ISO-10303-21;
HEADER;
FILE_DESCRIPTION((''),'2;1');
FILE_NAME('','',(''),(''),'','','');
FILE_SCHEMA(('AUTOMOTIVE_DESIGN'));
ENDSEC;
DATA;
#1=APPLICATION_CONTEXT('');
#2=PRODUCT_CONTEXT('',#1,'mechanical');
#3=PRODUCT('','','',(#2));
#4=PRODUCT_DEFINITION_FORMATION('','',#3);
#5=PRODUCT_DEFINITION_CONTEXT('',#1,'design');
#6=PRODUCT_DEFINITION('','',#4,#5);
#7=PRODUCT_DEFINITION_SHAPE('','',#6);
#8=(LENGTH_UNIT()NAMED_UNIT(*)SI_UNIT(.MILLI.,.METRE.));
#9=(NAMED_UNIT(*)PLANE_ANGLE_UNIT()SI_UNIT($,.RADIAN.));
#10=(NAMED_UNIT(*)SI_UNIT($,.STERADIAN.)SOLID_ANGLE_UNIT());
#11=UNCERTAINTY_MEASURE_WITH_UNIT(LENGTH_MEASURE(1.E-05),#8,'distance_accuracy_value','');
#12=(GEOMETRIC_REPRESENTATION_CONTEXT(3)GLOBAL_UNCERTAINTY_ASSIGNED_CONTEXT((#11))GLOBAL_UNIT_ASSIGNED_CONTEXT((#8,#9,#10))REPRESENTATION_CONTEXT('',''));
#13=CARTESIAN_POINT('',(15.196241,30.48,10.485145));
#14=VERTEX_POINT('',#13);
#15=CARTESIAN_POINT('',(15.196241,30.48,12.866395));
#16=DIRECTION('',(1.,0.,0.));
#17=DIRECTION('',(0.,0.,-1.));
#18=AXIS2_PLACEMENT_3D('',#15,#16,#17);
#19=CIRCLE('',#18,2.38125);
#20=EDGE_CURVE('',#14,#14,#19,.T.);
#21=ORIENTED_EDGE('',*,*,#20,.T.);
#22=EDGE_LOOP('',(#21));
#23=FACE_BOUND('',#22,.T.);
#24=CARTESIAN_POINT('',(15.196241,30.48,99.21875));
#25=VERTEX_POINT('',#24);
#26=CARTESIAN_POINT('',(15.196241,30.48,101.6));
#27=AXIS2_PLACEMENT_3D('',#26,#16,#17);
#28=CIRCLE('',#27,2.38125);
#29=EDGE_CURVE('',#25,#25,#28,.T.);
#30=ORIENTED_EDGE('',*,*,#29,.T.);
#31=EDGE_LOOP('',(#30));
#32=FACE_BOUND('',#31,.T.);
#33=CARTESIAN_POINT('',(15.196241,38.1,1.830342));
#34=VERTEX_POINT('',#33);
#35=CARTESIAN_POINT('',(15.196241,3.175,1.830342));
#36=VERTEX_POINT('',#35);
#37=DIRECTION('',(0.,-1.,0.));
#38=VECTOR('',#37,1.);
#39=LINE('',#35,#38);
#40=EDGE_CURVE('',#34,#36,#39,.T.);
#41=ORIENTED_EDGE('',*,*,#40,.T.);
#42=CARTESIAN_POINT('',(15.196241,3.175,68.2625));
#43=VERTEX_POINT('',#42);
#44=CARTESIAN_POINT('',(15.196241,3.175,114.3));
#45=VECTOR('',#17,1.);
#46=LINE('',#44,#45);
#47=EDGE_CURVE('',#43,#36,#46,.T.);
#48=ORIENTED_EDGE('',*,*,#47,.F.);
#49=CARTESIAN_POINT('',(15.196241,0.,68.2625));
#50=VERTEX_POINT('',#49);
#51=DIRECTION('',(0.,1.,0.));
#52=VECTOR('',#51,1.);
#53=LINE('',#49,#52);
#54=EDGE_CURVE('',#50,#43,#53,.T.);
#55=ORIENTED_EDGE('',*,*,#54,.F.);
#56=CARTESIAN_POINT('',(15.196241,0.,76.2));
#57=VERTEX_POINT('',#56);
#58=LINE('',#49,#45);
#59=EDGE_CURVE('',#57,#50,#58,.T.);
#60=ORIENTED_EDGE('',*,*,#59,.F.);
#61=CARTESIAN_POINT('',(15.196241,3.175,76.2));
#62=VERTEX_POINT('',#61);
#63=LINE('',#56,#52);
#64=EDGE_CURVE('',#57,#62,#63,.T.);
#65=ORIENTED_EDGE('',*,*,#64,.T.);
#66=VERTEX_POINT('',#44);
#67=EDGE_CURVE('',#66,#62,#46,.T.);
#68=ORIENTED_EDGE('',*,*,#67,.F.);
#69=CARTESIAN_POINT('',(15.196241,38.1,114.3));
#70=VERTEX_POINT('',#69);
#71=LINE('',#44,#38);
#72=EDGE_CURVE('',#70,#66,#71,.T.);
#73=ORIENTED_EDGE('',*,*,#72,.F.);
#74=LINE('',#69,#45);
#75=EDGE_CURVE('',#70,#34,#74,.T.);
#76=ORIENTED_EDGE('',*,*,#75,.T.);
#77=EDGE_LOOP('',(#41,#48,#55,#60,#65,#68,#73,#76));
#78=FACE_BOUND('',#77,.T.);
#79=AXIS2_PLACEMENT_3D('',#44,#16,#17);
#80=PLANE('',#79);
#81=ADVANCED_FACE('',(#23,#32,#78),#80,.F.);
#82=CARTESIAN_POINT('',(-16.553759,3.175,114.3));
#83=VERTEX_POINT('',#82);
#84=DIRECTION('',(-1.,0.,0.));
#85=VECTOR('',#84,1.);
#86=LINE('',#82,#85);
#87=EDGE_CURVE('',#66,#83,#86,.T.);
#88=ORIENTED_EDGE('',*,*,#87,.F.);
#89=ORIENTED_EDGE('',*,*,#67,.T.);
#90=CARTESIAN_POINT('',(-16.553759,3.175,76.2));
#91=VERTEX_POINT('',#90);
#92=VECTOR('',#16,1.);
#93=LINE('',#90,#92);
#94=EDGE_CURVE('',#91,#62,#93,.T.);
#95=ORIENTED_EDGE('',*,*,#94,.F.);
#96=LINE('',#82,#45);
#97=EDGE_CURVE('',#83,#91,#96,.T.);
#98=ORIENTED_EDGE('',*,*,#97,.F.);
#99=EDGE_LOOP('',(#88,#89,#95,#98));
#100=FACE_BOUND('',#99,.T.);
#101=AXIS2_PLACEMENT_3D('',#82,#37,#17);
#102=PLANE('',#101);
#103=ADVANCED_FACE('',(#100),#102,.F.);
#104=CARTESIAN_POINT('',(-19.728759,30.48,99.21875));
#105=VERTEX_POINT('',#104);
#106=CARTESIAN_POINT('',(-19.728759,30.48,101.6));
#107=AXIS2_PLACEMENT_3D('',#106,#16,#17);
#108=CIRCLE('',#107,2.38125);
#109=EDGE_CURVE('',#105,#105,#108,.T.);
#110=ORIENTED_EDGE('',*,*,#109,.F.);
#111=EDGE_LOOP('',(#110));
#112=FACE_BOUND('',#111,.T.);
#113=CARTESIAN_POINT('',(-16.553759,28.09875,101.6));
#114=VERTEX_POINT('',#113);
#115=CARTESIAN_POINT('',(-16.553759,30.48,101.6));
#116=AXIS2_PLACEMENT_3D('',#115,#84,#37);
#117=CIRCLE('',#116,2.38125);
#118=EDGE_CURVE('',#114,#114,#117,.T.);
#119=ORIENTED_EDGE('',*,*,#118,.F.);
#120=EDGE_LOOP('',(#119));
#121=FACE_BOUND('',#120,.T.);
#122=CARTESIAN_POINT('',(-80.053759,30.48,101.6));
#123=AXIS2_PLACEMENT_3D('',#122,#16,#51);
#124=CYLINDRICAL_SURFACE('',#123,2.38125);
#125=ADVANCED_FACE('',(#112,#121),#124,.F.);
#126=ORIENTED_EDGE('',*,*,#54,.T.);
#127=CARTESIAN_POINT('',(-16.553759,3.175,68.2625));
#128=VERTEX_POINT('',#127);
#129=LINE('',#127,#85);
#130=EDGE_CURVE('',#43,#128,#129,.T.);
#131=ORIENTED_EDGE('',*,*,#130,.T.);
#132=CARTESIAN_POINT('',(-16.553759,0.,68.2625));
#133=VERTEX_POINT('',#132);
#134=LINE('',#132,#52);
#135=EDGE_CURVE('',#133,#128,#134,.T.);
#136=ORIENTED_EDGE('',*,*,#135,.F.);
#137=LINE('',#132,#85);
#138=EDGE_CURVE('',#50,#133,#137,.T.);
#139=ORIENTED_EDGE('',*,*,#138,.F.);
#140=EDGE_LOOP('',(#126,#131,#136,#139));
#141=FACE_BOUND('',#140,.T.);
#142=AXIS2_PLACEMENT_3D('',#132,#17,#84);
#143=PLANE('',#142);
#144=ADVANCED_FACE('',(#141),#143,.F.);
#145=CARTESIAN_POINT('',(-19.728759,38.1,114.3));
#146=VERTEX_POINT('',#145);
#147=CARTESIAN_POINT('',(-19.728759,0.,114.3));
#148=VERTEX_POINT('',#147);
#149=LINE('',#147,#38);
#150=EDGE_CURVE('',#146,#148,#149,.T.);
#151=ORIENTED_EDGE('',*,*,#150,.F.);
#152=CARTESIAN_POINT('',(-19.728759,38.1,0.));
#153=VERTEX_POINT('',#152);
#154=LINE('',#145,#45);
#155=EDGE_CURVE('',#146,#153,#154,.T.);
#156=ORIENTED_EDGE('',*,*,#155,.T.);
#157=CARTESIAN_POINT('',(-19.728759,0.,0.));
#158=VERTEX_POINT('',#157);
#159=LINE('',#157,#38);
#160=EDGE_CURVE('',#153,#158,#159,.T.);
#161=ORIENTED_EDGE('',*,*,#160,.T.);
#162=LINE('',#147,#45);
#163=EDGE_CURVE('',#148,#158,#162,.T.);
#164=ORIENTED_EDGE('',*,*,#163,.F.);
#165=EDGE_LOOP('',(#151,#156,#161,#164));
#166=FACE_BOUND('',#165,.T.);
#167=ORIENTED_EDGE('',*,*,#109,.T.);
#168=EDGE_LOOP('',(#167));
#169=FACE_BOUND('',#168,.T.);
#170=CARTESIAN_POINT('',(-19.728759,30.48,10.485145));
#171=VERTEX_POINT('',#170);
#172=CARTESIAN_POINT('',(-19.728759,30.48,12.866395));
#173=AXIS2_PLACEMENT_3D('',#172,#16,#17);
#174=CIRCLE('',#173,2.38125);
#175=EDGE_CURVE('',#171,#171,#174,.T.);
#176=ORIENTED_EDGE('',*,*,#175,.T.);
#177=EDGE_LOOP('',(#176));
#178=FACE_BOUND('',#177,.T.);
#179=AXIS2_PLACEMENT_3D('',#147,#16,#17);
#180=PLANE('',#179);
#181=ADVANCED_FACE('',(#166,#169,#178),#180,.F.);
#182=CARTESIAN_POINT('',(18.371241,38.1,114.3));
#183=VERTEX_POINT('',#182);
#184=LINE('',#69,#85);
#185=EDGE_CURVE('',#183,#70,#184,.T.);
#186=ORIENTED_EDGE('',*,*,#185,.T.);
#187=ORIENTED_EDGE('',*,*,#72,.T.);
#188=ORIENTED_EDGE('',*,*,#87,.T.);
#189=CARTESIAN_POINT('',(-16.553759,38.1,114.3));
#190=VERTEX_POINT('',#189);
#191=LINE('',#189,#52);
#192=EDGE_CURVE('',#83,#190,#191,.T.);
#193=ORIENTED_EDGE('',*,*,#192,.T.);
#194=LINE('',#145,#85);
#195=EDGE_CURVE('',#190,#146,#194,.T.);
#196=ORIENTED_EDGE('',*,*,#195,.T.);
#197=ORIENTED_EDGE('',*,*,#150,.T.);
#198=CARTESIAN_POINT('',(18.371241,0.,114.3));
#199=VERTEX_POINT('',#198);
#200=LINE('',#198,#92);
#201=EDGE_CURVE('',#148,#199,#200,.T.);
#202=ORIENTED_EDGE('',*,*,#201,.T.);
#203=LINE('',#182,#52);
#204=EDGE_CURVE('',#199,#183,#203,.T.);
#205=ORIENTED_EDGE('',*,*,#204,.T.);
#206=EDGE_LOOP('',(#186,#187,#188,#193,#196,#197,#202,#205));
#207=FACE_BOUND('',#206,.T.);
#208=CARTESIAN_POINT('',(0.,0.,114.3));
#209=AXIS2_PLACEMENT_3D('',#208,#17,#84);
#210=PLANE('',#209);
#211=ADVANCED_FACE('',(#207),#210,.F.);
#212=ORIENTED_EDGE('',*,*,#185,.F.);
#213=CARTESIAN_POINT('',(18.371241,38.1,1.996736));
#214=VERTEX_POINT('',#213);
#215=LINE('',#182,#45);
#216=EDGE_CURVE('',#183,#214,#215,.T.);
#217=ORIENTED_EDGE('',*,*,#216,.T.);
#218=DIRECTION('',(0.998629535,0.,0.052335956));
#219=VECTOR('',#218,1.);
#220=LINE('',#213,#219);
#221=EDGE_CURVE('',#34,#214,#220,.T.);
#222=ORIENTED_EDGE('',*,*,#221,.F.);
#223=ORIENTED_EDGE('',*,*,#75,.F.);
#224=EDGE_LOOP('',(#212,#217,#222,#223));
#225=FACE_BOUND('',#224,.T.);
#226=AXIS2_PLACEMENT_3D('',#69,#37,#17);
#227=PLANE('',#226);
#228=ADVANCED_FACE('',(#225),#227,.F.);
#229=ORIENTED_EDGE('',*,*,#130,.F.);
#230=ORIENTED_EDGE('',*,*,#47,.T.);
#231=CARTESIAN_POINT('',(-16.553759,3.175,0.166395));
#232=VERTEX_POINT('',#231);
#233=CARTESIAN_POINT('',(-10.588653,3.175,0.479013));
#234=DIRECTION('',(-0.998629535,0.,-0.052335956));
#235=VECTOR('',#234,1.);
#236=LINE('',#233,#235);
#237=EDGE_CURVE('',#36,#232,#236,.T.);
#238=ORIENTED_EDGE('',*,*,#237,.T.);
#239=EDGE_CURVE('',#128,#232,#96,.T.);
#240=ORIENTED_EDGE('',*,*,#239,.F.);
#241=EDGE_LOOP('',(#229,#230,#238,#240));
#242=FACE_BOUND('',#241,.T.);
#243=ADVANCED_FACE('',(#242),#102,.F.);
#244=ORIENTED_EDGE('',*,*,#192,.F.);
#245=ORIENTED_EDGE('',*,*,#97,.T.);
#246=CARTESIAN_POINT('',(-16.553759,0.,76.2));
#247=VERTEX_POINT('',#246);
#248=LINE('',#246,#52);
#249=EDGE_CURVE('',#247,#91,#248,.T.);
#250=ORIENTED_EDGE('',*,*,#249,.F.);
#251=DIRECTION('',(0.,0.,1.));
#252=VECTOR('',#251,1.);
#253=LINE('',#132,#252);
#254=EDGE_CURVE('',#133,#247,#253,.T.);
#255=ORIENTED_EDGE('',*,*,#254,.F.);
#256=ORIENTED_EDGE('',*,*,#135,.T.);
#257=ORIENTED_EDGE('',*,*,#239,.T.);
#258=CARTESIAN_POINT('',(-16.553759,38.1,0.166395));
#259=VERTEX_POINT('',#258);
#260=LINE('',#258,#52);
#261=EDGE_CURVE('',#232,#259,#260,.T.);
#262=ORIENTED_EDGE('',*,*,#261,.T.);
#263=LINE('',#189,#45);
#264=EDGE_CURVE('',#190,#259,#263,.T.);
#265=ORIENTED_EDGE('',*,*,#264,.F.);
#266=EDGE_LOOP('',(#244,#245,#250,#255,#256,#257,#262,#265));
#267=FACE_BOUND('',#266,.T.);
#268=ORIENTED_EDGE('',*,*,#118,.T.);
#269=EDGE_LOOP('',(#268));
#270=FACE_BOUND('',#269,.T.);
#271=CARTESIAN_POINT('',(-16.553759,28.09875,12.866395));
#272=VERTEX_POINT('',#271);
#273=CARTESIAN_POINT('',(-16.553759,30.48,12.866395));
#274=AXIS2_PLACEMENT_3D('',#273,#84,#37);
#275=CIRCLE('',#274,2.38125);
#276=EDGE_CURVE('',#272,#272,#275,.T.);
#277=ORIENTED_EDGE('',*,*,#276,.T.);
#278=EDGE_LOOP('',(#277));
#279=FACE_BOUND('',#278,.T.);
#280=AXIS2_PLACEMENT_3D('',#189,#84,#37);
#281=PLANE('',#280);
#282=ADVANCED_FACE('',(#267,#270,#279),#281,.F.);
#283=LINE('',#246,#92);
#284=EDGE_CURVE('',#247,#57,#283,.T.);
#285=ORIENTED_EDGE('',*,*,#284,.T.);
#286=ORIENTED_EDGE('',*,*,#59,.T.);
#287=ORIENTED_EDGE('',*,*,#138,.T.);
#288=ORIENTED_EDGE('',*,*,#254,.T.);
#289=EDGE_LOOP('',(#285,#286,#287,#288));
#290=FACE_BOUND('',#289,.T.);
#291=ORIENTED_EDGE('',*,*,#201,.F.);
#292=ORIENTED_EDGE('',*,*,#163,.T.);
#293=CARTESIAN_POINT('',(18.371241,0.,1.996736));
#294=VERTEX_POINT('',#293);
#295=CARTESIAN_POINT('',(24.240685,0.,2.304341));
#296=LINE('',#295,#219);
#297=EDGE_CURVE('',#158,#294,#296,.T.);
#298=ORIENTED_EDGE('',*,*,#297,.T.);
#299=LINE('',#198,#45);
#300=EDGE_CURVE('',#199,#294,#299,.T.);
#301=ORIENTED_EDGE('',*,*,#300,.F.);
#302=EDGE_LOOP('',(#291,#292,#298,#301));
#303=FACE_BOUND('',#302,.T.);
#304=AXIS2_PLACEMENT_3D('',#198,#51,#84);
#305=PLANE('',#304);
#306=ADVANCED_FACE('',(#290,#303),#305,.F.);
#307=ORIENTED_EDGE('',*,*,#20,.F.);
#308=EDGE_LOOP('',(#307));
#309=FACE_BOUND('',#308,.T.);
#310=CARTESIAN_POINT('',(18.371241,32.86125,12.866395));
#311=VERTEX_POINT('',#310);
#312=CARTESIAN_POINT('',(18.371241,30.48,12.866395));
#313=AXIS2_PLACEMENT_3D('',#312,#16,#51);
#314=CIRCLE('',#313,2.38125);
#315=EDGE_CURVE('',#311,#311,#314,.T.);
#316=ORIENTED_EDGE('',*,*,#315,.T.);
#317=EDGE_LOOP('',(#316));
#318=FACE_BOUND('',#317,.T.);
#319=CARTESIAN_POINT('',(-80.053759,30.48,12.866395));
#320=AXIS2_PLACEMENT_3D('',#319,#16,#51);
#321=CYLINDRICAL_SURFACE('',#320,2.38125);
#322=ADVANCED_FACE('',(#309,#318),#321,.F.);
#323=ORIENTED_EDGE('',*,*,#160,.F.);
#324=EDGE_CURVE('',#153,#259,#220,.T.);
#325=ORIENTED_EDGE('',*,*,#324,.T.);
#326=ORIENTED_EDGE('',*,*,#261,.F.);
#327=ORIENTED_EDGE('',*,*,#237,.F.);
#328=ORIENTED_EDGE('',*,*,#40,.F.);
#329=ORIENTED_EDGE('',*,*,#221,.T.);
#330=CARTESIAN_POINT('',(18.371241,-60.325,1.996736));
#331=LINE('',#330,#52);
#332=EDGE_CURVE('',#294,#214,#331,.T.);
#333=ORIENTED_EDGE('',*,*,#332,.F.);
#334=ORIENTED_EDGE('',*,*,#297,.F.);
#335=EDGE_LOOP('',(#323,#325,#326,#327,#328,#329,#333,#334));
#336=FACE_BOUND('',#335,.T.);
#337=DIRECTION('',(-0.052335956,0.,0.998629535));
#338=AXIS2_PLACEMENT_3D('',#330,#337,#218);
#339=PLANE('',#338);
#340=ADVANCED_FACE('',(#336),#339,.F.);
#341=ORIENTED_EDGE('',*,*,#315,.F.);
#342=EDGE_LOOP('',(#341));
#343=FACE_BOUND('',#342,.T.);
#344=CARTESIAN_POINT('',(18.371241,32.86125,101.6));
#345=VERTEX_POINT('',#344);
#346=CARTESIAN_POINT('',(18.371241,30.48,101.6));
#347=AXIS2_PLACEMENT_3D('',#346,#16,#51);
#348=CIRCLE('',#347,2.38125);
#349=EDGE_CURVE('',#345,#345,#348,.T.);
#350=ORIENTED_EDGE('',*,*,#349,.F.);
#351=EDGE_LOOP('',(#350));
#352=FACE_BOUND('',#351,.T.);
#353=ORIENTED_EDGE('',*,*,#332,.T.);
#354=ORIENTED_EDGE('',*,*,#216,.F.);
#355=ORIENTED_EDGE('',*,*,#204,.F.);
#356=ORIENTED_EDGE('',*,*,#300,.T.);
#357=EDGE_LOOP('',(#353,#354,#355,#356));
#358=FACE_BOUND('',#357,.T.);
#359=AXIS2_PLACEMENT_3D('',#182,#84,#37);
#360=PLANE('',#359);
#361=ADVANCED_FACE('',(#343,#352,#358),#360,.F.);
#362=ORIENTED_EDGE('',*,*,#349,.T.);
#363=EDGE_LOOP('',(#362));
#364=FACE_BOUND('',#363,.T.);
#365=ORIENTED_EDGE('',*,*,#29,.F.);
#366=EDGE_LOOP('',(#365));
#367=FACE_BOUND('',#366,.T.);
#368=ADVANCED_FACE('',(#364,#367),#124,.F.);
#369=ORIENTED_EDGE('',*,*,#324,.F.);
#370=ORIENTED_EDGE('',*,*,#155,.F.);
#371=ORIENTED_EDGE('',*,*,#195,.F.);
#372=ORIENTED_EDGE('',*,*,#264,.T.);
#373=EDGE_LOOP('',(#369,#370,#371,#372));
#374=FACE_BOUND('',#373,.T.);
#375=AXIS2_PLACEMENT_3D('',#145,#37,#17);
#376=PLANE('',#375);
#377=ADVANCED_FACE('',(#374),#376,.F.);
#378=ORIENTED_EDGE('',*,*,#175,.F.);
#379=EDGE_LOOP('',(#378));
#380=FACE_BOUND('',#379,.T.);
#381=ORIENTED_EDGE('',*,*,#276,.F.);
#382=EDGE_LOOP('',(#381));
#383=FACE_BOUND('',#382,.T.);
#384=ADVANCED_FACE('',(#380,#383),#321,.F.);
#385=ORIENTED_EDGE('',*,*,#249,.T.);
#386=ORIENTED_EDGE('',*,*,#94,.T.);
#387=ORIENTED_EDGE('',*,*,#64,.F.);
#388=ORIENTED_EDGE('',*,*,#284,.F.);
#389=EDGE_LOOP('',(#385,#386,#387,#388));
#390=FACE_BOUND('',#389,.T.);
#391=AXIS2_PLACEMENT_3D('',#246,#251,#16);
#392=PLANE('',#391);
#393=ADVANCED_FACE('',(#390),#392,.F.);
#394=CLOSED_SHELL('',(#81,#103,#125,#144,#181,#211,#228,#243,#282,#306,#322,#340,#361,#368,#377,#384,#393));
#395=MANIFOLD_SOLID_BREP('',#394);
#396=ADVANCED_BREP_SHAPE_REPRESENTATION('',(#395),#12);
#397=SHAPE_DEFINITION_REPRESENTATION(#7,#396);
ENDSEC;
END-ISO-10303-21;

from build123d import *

# Parameters (mm, degrees)
BOSS_EXTRUDE1_DEPTH = 114.3
CUT_EXTRUDE1_DEPTH  = 98.425
SKETCH3_R           = 2.38125
CUT_EXTRUDE2_DEPTH  = 98.425
SKETCH4_W           = 31.75
SKETCH4_H           = 7.9375
CUT_EXTRUDE4_DEPTH  = 122.134097336


with BuildPart() as part:
    # Sketch1 → Boss-Extrude1 (new body)
    with BuildSketch(Plane.XY):
        Polygon((18.371241491, 0), (-19.728758509, 0), (-19.728758509, 38.1), (-16.553758509, 38.1), (-16.553758509, 3.175), (15.196241491, 3.175), (15.196241491, 38.1), (18.371241491, 38.1), align=None)
    extrude(amount=BOSS_EXTRUDE1_DEPTH)

    # Sketch2 → Cut-Extrude1 (cut)
    with BuildSketch(Plane(origin=(0, 38.1, 0), x_dir=(1, 0, 0), z_dir=(0, 1, 0))):
        Polygon((-19.728758509, 0), (18.371241491, 0), (18.371241491, -1.996736391), align=None)
    extrude(amount=-CUT_EXTRUDE1_DEPTH, mode=Mode.SUBTRACT)

    # Sketch3 → Cut-Extrude2 (cut)
    with BuildSketch(Plane(origin=(18.371241491, 0, 0), x_dir=(0, 0, -1), z_dir=(1, 0, 0))):
        with Locations((-12.866394699, 30.48)):
            Circle(SKETCH3_R)
        with Locations((-101.6, 30.48)):
            Circle(SKETCH3_R)
    extrude(amount=-CUT_EXTRUDE2_DEPTH, mode=Mode.SUBTRACT)

    # Sketch4 → Cut-Extrude4 (cut, through all)
    with BuildSketch(Plane(origin=(0, 3.175, 0), x_dir=(1, 0, 0), z_dir=(0, 1, 0))):
        with Locations((-0.678758509, -72.23125)):
            Rectangle(SKETCH4_W, SKETCH4_H)
    extrude(amount=-CUT_EXTRUDE4_DEPTH, mode=Mode.SUBTRACT)


solid = part.part
